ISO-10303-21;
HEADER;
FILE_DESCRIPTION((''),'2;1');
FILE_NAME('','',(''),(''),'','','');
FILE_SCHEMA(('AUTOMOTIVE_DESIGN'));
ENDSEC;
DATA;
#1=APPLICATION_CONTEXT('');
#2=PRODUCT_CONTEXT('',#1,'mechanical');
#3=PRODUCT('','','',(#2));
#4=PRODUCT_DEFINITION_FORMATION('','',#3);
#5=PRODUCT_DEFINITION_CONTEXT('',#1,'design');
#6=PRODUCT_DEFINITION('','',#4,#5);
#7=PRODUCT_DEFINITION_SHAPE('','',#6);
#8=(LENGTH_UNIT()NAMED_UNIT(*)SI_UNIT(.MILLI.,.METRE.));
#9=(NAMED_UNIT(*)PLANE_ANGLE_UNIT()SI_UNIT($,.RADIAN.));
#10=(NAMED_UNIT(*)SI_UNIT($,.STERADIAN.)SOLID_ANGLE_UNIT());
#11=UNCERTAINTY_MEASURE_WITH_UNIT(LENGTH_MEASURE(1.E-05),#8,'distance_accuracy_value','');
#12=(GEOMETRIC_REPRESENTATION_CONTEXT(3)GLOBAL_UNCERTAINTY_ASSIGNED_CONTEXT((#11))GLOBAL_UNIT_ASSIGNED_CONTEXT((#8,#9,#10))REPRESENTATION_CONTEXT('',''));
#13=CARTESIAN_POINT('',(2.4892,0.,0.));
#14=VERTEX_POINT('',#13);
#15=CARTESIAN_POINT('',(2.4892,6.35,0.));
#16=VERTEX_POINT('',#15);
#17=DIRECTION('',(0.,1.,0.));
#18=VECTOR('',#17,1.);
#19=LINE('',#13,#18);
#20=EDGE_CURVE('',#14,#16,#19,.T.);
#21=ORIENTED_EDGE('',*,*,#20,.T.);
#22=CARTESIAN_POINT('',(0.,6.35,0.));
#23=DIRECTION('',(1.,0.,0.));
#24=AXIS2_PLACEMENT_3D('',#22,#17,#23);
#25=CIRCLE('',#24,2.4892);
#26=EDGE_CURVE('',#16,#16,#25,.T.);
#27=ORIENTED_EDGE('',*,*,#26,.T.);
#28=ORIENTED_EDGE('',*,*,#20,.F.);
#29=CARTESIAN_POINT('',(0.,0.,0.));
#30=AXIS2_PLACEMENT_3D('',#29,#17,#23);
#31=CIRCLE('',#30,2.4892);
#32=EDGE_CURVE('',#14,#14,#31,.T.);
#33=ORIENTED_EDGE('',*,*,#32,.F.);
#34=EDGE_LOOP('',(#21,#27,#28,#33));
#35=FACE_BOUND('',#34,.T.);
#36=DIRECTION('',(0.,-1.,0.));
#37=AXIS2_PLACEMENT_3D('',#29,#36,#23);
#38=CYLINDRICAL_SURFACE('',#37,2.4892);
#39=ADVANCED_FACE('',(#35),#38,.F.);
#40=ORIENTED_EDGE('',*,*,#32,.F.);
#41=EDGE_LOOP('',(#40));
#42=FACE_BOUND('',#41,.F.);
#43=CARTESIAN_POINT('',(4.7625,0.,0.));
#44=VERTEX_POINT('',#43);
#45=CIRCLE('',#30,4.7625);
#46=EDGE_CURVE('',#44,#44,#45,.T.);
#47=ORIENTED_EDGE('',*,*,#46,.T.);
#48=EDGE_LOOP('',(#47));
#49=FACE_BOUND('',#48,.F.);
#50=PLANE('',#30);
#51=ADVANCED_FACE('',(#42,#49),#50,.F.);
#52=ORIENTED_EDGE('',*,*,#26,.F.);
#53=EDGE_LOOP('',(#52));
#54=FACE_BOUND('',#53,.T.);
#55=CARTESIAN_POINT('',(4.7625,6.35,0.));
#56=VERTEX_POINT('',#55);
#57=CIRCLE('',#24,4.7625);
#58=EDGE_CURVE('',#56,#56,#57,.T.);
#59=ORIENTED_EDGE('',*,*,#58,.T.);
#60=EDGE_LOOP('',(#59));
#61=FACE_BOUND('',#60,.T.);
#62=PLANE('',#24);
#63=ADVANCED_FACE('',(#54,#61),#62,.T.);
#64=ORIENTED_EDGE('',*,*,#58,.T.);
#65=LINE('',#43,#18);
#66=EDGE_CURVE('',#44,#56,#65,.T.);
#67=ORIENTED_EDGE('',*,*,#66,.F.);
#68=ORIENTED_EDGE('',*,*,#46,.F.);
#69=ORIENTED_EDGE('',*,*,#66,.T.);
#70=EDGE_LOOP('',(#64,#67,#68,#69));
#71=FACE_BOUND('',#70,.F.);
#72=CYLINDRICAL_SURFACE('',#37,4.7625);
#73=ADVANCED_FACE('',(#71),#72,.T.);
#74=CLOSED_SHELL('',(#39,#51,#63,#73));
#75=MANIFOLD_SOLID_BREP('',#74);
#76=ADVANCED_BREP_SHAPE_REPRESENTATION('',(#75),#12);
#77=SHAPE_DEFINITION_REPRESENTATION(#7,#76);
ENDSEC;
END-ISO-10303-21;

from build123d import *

# Parameters (mm, degrees)
SKETCH1_R           = 4.7625
SKETCH1_R_2         = 2.4892
BOSS_EXTRUDE1_DEPTH = 6.35


with BuildPart() as part:
    # Sketch1 → Boss-Extrude1 (new body)
    with BuildSketch(Plane(origin=(0, 0, 0), x_dir=(1, 0, 0), z_dir=(0, 1, 0))):
        Circle(SKETCH1_R)
        Circle(SKETCH1_R_2, mode=Mode.SUBTRACT)
    extrude(amount=BOSS_EXTRUDE1_DEPTH)


solid = part.part
